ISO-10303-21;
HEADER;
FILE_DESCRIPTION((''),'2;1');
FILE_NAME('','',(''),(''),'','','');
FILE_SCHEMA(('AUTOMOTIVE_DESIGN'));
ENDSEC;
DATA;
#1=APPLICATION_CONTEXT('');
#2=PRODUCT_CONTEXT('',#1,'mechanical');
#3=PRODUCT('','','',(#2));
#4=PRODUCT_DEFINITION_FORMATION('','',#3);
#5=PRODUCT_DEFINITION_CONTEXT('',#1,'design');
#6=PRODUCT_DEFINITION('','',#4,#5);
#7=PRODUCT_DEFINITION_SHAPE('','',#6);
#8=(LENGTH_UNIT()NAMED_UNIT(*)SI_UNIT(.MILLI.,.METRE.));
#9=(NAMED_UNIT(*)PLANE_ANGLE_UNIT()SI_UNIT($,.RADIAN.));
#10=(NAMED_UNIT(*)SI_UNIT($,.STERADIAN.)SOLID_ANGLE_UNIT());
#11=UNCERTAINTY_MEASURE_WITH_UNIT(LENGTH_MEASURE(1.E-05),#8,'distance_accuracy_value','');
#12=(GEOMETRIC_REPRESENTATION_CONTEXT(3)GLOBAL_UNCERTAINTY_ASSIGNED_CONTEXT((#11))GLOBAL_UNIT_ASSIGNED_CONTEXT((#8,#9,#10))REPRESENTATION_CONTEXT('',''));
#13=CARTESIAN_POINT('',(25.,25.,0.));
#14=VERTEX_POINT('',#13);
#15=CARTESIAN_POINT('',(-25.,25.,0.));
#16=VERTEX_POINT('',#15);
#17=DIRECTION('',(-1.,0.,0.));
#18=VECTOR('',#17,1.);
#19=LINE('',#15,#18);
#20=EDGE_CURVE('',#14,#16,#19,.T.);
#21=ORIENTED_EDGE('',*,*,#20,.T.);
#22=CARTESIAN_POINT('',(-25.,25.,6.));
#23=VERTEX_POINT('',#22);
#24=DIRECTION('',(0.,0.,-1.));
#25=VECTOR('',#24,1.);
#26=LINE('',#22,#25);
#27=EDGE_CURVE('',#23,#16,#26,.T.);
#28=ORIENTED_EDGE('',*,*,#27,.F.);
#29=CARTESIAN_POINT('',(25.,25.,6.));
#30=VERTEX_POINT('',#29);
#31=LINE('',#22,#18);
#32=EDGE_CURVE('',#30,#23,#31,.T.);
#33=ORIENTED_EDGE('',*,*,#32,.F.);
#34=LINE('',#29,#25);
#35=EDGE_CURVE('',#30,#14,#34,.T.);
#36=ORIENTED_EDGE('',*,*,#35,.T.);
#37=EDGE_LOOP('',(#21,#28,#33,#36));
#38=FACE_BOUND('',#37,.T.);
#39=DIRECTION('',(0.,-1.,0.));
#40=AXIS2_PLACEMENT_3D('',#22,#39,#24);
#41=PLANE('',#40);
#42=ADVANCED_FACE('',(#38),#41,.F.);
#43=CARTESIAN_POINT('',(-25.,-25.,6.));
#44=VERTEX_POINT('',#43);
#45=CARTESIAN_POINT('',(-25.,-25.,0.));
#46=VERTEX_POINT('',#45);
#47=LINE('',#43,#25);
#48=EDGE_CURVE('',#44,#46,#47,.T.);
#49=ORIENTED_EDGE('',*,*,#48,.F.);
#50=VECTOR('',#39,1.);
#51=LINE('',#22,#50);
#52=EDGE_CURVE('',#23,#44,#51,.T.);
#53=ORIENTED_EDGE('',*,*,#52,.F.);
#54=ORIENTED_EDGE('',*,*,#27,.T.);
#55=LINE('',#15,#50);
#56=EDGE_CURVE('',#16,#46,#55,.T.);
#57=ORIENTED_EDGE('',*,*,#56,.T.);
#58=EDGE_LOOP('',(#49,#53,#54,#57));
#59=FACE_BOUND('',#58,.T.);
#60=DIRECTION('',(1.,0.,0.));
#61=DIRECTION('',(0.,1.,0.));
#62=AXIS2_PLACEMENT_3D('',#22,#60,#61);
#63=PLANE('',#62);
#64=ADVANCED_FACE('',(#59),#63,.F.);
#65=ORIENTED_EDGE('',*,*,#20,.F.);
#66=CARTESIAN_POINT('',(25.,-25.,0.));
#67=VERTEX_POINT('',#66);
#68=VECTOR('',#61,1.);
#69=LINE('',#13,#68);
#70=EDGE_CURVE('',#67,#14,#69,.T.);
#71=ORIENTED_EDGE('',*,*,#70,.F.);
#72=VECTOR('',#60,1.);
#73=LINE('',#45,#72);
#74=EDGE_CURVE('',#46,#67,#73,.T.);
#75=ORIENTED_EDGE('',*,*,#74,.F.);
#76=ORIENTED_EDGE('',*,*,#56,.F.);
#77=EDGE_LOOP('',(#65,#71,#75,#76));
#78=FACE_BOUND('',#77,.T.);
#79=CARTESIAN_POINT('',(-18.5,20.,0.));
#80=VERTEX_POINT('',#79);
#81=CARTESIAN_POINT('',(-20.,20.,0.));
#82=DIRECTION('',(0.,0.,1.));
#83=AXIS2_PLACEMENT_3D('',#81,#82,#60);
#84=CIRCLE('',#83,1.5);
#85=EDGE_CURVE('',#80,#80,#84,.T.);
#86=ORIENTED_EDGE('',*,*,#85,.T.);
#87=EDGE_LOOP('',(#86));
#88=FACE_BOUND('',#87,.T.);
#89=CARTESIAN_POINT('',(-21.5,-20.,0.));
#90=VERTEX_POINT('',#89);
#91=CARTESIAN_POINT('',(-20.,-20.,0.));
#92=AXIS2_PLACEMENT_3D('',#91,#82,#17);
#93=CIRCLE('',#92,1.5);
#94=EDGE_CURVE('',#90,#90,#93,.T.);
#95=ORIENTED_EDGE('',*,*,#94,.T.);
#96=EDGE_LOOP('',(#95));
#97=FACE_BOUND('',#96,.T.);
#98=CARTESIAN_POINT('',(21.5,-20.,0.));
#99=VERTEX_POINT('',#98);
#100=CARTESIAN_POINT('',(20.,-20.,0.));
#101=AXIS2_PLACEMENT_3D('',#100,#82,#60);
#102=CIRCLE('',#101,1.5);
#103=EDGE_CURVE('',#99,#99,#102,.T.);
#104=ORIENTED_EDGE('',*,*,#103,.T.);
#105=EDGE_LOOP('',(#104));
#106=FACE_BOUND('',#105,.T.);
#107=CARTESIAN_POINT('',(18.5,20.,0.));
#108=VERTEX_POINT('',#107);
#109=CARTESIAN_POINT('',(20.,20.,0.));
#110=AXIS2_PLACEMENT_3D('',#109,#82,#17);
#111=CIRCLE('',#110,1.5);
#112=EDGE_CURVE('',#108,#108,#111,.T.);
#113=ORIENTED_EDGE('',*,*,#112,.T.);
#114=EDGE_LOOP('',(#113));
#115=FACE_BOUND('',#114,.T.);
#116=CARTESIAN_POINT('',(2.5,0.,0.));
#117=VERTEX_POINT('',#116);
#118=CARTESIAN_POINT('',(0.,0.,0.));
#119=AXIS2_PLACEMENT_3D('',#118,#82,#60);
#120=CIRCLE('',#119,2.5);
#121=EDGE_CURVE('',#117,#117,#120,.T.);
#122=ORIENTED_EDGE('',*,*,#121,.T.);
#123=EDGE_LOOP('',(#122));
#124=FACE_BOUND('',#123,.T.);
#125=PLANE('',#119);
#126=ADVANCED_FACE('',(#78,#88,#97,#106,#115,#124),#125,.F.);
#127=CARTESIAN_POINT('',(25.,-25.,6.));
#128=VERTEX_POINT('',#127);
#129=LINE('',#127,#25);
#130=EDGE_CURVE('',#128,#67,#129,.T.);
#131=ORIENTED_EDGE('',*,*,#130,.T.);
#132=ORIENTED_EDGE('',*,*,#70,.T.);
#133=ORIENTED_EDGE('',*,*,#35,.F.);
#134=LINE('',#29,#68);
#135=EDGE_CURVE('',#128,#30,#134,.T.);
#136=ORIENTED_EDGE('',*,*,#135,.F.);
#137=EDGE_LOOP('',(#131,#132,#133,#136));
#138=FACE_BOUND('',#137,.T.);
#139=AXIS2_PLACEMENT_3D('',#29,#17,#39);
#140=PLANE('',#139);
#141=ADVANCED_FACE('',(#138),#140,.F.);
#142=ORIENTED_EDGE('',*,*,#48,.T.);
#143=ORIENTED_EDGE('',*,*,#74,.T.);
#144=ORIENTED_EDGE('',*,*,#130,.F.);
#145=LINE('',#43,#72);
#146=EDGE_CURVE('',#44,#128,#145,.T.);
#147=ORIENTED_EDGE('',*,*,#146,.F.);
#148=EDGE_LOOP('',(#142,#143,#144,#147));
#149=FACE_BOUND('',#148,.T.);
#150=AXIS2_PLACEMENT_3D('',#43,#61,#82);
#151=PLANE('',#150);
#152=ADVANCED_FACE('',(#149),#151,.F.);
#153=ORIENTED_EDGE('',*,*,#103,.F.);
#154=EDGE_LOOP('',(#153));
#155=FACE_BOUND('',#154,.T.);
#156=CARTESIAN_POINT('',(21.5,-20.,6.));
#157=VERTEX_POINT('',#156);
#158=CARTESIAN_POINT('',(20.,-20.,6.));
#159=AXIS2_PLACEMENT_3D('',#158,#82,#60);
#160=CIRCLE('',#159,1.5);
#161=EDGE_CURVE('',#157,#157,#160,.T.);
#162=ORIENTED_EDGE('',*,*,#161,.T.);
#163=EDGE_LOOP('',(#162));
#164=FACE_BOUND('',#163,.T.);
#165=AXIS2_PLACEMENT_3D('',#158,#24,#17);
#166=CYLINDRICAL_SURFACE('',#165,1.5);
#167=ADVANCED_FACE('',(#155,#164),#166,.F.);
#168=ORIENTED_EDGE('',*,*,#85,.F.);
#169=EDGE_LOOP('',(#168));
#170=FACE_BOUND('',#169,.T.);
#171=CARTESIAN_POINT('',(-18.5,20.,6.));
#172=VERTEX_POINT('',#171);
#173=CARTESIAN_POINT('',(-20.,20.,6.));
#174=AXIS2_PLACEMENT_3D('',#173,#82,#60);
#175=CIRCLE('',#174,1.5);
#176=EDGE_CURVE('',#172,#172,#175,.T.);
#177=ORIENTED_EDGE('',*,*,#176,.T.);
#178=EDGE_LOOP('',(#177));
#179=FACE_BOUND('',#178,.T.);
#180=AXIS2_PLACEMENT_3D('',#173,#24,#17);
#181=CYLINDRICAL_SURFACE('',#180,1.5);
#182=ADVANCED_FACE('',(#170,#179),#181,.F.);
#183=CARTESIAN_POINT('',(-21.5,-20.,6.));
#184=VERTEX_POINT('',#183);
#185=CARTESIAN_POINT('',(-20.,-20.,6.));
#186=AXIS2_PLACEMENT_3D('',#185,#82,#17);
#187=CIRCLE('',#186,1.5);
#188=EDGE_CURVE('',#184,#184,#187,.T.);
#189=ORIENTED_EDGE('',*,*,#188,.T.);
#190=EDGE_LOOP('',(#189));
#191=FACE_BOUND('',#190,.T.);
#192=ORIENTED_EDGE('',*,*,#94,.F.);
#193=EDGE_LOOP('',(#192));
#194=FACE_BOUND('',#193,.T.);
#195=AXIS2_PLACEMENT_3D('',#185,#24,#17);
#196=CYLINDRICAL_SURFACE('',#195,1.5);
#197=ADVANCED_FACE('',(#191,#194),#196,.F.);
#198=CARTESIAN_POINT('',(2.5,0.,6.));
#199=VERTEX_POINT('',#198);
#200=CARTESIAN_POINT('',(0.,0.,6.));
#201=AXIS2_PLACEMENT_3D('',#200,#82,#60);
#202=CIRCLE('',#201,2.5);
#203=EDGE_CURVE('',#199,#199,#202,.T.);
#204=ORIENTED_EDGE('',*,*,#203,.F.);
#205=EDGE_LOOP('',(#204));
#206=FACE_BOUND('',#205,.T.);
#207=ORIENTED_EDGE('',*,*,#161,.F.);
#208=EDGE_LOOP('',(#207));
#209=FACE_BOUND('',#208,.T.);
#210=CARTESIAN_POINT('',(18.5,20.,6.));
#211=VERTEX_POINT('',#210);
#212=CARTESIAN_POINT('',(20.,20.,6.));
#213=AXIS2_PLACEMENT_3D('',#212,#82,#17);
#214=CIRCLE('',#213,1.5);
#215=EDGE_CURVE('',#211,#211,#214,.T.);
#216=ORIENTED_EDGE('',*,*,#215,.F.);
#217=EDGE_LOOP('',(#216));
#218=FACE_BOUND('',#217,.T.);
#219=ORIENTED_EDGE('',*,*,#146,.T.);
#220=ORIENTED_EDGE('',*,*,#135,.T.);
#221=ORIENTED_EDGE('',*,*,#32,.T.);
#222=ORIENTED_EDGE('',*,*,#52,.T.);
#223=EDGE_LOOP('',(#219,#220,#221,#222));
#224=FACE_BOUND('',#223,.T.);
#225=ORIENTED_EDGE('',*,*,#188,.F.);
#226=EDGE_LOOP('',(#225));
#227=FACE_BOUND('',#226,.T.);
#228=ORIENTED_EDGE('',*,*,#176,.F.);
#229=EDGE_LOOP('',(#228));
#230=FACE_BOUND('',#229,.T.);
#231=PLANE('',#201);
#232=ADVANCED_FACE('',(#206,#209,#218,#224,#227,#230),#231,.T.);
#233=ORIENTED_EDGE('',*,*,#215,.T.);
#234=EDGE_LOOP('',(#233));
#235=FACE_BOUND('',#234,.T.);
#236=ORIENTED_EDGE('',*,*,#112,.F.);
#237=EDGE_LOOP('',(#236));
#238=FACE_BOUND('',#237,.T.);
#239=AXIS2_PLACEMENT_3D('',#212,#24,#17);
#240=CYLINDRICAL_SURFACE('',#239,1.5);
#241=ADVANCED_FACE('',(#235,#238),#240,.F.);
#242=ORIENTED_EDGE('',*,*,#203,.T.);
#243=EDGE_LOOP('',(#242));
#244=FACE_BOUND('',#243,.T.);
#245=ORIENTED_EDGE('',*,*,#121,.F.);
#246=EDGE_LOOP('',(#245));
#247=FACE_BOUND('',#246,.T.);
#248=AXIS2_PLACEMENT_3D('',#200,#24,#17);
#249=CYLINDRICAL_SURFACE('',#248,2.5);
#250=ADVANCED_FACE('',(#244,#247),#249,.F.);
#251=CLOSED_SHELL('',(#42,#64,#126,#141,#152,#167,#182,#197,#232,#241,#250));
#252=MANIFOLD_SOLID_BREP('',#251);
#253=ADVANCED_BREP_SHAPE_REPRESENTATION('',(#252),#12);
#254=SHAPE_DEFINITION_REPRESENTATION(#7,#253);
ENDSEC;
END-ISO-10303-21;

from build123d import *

# Parameters (mm, degrees)
SKETCH_1_W      = 50
SKETCH_1_H      = 50
SKETCH_1_R      = 2.5
SKETCH_1_R_2    = 1.5
EXTRUDE_1_DEPTH = 6


with BuildPart() as part:
    # 草图1 → 凸台-拉伸1 (new body)
    with BuildSketch(Plane.XY):
        Rectangle(SKETCH_1_W, SKETCH_1_H)
        Circle(SKETCH_1_R, mode=Mode.SUBTRACT)
        with Locations((-20, 20)):
            Circle(SKETCH_1_R_2, mode=Mode.SUBTRACT)
        with Locations(Location((20, 20, 0), (0, 0, 180))):
            Circle(SKETCH_1_R_2, mode=Mode.SUBTRACT)
        with Locations((20, -20)):
            Circle(SKETCH_1_R_2, mode=Mode.SUBTRACT)
        with Locations(Location((-20, -20, 0), (0, 0, 180))):
            Circle(SKETCH_1_R_2, mode=Mode.SUBTRACT)
    extrude(amount=EXTRUDE_1_DEPTH)


solid = part.part
